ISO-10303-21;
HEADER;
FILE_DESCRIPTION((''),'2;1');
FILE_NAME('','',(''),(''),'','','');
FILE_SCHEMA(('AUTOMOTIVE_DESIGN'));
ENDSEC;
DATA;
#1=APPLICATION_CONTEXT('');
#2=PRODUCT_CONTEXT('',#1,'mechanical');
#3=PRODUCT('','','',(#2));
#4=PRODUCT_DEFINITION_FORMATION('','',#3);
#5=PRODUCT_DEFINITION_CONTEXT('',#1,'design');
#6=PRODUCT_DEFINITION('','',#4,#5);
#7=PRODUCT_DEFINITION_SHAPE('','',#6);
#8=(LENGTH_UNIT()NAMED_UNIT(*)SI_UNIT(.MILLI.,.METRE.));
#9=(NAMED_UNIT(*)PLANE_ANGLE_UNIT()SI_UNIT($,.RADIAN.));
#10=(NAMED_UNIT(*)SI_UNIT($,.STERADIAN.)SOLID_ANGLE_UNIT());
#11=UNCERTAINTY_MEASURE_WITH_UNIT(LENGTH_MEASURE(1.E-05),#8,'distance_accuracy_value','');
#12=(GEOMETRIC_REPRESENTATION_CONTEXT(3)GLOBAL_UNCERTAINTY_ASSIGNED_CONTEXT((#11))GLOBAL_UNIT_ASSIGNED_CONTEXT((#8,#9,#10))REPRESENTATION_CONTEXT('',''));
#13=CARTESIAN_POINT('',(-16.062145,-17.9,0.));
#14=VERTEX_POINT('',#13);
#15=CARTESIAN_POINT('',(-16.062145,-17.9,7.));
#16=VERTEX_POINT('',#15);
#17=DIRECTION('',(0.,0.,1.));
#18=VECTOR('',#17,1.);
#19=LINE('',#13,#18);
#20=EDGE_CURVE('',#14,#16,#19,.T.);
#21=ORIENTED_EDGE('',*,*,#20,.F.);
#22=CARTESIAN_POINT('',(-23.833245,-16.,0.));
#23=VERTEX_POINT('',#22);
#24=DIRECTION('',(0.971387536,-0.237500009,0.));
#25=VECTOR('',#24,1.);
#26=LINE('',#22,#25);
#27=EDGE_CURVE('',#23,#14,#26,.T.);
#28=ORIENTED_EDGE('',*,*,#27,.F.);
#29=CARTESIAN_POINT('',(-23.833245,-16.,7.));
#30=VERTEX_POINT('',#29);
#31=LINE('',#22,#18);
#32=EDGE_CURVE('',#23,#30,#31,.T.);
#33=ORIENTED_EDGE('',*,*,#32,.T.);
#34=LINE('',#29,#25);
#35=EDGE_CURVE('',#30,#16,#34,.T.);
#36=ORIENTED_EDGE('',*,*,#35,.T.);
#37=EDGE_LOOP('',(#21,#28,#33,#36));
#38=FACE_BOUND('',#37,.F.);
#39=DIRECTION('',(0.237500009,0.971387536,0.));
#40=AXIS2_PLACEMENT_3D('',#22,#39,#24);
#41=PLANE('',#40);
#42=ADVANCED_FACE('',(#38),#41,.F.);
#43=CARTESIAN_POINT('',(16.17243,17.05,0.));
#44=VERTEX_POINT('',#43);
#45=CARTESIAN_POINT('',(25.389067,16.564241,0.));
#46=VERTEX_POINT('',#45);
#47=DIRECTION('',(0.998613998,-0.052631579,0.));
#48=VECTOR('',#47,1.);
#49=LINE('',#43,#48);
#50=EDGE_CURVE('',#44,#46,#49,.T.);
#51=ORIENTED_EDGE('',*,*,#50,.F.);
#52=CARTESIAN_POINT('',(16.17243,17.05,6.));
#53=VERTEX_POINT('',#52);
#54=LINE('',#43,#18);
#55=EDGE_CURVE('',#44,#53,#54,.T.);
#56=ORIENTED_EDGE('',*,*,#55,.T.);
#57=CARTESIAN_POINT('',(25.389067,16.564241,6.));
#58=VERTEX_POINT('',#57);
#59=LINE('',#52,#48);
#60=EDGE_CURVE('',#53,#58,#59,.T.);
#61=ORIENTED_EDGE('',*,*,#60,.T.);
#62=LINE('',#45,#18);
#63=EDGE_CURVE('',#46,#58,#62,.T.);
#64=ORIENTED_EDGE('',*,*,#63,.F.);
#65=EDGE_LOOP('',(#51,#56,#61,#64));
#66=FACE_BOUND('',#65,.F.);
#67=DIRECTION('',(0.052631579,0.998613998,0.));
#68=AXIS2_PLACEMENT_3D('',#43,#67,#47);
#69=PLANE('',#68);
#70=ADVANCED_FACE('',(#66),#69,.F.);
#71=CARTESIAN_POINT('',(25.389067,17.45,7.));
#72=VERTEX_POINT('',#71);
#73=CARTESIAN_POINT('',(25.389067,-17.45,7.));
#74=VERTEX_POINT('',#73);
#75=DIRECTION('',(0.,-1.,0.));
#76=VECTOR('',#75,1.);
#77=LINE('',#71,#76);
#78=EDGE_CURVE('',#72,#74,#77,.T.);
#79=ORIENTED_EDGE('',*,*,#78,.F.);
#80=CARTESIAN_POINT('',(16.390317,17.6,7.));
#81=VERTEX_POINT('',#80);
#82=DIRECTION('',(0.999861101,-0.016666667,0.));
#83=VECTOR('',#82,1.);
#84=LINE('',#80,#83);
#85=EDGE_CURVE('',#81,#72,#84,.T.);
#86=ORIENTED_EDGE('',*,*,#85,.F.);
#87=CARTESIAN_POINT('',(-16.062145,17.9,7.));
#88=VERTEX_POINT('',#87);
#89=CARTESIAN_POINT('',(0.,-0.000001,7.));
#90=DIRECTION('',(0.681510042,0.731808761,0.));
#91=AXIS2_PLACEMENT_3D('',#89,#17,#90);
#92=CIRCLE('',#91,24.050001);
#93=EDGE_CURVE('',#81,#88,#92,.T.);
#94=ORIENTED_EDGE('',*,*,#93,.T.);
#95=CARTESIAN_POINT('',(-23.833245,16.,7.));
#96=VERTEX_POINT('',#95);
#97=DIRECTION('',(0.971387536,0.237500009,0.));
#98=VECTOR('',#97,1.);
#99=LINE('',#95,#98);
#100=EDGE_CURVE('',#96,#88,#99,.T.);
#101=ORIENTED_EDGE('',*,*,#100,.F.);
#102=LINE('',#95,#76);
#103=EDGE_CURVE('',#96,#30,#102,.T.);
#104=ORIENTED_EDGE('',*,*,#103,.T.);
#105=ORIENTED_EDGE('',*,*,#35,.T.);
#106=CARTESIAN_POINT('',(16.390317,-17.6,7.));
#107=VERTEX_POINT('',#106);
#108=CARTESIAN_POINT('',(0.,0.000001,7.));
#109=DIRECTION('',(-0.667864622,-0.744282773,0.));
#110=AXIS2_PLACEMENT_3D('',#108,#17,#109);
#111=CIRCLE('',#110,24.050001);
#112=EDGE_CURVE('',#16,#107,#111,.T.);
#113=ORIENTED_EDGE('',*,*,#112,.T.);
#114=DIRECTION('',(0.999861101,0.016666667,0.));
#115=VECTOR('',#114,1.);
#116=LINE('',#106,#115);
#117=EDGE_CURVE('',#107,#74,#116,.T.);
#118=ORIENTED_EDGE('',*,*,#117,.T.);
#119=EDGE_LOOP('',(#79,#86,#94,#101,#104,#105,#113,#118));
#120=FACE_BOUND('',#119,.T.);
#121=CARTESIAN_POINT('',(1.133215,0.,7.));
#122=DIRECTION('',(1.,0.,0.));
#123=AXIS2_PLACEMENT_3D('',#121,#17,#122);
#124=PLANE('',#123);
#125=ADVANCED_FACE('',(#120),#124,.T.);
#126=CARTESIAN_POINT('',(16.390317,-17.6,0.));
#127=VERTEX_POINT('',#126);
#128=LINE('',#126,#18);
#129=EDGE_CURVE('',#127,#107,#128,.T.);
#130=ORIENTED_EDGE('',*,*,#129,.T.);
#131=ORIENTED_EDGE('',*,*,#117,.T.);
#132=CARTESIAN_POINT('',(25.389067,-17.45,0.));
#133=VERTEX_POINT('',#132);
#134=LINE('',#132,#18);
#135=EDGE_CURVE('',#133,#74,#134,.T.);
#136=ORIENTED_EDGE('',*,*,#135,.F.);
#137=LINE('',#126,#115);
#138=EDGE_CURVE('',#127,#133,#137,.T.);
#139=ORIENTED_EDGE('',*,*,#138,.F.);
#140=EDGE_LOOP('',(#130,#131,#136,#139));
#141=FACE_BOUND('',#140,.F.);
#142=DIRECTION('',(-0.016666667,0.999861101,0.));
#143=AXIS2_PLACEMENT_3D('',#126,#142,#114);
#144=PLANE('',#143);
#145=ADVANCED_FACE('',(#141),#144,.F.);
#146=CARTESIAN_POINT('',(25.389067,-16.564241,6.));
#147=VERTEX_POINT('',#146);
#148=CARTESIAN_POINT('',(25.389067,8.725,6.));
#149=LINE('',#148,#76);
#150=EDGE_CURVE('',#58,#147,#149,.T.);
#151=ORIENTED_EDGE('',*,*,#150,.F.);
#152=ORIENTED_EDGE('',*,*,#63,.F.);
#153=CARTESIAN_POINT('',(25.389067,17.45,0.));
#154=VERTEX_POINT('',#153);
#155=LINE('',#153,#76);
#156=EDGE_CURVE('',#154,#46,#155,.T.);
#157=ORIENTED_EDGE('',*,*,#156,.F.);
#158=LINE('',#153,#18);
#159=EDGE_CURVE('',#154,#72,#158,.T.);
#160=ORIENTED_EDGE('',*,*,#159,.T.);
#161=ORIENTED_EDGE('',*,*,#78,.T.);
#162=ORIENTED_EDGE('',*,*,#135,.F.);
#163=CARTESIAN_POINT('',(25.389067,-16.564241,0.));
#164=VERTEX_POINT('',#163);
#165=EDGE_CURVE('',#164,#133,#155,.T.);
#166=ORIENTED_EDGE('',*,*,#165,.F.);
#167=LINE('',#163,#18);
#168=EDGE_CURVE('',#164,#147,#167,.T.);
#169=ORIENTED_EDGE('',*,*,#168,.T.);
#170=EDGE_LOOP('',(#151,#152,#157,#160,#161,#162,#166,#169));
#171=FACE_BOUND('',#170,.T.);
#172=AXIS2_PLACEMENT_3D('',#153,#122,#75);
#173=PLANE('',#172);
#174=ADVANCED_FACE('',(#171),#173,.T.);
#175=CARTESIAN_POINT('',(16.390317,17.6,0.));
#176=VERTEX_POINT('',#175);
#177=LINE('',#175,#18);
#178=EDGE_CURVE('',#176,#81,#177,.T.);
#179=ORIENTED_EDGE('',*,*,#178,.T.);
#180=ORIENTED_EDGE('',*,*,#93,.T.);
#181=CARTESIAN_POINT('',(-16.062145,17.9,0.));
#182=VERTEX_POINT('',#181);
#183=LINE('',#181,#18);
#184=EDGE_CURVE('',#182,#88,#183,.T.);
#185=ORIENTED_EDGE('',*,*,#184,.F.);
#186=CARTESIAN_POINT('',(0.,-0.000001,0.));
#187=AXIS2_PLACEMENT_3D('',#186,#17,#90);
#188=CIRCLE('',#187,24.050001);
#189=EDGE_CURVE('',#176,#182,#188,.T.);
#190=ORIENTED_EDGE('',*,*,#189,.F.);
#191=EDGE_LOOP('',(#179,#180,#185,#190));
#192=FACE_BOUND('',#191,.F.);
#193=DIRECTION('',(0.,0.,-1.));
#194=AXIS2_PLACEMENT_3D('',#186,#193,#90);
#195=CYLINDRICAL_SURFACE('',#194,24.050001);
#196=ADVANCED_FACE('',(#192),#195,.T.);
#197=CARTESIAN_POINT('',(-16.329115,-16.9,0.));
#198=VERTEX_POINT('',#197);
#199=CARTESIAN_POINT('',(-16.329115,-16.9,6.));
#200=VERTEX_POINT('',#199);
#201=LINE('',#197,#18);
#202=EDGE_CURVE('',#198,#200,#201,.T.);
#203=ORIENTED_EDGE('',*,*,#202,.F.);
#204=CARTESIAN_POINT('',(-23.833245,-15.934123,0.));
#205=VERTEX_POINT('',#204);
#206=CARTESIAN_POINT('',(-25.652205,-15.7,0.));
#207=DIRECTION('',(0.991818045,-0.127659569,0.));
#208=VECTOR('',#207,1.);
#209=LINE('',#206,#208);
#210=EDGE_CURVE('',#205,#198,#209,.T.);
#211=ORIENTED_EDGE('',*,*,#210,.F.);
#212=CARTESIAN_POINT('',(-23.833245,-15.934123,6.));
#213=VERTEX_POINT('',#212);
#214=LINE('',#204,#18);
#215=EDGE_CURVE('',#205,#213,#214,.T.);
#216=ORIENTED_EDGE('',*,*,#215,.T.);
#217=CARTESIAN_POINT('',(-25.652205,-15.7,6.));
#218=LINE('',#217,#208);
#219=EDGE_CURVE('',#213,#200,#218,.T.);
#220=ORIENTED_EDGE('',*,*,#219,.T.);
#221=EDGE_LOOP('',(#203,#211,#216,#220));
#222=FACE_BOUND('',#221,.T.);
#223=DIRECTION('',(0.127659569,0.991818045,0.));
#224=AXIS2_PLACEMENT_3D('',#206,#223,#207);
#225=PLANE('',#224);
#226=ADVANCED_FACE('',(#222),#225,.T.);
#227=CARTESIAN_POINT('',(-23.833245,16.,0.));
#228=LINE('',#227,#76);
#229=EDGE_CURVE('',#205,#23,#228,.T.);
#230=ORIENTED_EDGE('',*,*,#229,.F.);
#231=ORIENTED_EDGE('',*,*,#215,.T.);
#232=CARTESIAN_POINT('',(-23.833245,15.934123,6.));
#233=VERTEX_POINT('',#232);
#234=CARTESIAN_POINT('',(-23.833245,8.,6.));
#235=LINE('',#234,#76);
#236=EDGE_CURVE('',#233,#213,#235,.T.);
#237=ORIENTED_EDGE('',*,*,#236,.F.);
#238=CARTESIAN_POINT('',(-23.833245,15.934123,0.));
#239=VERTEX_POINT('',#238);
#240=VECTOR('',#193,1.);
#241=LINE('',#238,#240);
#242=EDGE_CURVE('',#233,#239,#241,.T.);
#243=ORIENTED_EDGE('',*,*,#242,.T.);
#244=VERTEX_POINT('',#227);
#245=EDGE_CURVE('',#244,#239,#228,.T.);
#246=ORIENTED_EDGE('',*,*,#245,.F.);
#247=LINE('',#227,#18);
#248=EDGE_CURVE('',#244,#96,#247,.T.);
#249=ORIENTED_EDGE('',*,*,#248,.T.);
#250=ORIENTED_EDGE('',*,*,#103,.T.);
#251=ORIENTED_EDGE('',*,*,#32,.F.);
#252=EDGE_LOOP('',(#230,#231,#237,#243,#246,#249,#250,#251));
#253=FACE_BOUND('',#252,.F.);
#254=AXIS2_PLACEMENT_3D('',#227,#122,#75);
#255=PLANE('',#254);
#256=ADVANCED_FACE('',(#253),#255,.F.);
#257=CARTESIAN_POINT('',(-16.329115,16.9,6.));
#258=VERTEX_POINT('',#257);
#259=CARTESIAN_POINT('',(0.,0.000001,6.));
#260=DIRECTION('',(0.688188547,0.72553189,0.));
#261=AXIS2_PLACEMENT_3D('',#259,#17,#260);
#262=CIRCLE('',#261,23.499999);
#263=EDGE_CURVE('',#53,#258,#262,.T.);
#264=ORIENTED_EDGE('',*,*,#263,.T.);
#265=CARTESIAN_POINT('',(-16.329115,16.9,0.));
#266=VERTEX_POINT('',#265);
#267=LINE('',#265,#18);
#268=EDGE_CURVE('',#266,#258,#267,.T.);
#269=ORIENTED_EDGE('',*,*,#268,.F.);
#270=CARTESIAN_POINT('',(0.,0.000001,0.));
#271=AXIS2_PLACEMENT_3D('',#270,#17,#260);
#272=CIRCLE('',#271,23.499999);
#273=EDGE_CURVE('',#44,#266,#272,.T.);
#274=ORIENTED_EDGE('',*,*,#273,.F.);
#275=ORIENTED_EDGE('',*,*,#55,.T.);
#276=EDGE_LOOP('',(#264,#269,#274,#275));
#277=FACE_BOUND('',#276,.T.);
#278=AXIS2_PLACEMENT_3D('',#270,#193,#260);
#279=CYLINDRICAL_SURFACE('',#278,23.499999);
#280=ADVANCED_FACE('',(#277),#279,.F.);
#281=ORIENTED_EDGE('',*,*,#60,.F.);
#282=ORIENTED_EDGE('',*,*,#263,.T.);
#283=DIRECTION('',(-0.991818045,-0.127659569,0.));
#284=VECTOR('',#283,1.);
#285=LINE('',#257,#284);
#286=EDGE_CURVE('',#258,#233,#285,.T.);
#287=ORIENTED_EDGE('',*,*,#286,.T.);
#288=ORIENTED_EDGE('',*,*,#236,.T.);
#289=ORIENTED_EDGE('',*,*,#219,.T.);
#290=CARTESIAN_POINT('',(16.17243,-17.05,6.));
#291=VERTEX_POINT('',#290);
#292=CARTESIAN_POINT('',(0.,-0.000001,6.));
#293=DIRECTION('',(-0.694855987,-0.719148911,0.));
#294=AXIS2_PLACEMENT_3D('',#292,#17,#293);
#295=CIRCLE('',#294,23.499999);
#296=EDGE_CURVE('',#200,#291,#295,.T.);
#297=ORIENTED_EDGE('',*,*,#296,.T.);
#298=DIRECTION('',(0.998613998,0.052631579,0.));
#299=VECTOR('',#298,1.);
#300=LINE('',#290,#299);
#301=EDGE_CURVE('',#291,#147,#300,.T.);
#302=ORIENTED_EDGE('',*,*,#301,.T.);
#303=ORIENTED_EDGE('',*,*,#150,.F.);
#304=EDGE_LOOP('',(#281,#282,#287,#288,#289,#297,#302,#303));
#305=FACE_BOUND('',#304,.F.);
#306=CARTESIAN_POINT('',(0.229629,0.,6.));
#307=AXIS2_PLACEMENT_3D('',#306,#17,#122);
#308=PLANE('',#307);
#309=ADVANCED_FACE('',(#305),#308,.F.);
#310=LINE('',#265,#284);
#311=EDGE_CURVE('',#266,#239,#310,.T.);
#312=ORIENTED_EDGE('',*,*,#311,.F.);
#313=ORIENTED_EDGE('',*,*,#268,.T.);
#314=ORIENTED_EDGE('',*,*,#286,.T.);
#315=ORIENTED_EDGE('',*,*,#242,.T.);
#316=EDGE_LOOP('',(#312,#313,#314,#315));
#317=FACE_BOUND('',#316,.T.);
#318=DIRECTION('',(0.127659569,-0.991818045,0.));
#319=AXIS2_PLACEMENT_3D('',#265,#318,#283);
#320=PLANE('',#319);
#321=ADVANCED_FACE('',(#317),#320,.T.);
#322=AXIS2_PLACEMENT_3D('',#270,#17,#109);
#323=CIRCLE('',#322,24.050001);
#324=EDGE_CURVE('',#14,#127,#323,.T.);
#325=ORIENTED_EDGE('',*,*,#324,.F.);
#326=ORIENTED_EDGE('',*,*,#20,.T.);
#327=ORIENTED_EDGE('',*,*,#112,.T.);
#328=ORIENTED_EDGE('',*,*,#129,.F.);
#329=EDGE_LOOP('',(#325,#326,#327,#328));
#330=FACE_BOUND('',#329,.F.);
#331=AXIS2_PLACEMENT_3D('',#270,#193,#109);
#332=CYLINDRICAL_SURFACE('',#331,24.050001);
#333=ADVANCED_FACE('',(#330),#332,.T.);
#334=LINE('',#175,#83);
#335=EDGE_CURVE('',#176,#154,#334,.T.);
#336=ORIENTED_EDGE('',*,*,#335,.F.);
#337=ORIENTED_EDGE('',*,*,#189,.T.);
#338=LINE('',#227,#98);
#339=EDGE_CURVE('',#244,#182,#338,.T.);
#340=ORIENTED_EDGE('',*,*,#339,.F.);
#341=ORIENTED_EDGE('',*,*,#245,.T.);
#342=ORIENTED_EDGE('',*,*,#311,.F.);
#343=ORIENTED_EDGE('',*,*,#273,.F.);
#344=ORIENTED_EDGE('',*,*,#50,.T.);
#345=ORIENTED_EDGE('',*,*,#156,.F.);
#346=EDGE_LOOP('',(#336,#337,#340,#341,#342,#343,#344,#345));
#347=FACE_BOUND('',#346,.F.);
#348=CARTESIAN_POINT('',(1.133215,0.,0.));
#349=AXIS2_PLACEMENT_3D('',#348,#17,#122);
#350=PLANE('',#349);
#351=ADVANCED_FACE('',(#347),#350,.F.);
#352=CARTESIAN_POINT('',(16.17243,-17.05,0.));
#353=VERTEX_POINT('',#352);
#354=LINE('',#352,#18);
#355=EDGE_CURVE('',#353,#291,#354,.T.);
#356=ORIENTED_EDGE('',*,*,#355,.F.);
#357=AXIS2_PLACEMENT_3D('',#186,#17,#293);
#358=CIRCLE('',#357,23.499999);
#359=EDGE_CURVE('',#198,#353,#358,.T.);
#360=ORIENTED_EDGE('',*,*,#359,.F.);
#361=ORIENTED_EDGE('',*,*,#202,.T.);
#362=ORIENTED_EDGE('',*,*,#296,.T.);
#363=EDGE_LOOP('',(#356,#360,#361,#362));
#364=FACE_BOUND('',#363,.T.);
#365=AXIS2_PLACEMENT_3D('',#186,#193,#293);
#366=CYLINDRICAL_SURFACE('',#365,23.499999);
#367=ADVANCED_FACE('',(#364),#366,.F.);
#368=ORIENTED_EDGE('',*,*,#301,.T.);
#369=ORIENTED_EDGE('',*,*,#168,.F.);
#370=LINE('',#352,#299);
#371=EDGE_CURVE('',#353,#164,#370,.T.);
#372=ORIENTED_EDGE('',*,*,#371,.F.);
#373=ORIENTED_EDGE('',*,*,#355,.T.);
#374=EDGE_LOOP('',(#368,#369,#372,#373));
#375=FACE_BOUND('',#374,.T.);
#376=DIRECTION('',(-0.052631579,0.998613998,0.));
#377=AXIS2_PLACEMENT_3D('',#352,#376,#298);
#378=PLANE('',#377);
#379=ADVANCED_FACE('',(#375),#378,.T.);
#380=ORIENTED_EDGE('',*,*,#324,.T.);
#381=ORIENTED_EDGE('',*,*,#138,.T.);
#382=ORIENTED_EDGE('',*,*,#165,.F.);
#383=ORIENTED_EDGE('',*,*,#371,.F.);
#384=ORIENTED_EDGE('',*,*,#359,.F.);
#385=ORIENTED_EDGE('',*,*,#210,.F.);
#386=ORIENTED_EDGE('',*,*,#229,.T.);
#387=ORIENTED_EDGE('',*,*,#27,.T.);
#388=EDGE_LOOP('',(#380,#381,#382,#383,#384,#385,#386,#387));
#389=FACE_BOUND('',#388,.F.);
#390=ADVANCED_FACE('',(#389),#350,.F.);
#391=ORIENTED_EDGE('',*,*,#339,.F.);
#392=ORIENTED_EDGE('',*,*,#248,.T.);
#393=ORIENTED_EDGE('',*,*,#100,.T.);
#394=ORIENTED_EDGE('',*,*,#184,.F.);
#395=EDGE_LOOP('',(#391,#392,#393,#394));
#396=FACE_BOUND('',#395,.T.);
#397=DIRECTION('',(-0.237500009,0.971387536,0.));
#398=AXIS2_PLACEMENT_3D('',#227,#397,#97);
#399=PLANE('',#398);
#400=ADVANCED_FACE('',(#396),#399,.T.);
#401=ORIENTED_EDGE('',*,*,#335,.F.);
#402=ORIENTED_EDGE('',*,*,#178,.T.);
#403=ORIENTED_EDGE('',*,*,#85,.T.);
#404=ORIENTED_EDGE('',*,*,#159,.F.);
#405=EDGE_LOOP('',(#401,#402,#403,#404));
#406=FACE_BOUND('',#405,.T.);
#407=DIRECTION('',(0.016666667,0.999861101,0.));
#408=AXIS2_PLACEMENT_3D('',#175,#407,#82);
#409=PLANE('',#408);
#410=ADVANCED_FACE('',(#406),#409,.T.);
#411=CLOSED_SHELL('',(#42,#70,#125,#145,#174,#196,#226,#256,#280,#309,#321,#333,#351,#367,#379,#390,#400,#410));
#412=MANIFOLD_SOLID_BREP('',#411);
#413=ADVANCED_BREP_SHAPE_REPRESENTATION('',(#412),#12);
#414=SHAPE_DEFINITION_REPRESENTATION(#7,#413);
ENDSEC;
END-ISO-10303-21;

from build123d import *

# Parameters (mm, degrees)
PAD_DEPTH    = 7
POCKET_DEPTH = 6


with BuildPart() as part:
    # Sketch → Pad (new body)
    with BuildSketch(Plane.XY):
        with BuildLine():
            Line((-23.833245, 16), (-23.833245, -16))
            Line((-23.833245, -16), (-16.062145, -17.9))
            ThreePointArc((-16.062145, -17.9), (0.222316, -24.048972), (16.390317, -17.6))
            Line((16.390317, -17.6), (25.389067, -17.45))
            Line((25.389067, 17.45), (25.389067, -17.45))
            Line((16.390317, 17.6), (25.389067, 17.45))
            ThreePointArc((16.390317, 17.6), (0.222316, 24.048972), (-16.062145, 17.9))
            Line((-23.833245, 16), (-16.062145, 17.9))
        make_face()
    extrude(amount=PAD_DEPTH)

    # Sketch001 → Pocket (cut)
    with BuildSketch(Plane.XY):
        with BuildLine():
            Line((-16.329115, 16.9), (-25.652205, 15.7))
            Line((-25.652205, 15.7), (-25.652205, -15.7))
            Line((-25.652205, -15.7), (-16.329115, -16.9))
            ThreePointArc((-16.329115, -16.9), (-0.108455, -23.49975), (16.17243, -17.05))
            Line((16.17243, -17.05), (25.659263, -16.55))
            Line((25.659263, 16.55), (25.659263, -16.55))
            Line((16.17243, 17.05), (25.659263, 16.55))
            ThreePointArc((16.17243, 17.05), (-0.108455, 23.49975), (-16.329115, 16.9))
        make_face()
    extrude(amount=POCKET_DEPTH, mode=Mode.SUBTRACT)


solid = part.part
